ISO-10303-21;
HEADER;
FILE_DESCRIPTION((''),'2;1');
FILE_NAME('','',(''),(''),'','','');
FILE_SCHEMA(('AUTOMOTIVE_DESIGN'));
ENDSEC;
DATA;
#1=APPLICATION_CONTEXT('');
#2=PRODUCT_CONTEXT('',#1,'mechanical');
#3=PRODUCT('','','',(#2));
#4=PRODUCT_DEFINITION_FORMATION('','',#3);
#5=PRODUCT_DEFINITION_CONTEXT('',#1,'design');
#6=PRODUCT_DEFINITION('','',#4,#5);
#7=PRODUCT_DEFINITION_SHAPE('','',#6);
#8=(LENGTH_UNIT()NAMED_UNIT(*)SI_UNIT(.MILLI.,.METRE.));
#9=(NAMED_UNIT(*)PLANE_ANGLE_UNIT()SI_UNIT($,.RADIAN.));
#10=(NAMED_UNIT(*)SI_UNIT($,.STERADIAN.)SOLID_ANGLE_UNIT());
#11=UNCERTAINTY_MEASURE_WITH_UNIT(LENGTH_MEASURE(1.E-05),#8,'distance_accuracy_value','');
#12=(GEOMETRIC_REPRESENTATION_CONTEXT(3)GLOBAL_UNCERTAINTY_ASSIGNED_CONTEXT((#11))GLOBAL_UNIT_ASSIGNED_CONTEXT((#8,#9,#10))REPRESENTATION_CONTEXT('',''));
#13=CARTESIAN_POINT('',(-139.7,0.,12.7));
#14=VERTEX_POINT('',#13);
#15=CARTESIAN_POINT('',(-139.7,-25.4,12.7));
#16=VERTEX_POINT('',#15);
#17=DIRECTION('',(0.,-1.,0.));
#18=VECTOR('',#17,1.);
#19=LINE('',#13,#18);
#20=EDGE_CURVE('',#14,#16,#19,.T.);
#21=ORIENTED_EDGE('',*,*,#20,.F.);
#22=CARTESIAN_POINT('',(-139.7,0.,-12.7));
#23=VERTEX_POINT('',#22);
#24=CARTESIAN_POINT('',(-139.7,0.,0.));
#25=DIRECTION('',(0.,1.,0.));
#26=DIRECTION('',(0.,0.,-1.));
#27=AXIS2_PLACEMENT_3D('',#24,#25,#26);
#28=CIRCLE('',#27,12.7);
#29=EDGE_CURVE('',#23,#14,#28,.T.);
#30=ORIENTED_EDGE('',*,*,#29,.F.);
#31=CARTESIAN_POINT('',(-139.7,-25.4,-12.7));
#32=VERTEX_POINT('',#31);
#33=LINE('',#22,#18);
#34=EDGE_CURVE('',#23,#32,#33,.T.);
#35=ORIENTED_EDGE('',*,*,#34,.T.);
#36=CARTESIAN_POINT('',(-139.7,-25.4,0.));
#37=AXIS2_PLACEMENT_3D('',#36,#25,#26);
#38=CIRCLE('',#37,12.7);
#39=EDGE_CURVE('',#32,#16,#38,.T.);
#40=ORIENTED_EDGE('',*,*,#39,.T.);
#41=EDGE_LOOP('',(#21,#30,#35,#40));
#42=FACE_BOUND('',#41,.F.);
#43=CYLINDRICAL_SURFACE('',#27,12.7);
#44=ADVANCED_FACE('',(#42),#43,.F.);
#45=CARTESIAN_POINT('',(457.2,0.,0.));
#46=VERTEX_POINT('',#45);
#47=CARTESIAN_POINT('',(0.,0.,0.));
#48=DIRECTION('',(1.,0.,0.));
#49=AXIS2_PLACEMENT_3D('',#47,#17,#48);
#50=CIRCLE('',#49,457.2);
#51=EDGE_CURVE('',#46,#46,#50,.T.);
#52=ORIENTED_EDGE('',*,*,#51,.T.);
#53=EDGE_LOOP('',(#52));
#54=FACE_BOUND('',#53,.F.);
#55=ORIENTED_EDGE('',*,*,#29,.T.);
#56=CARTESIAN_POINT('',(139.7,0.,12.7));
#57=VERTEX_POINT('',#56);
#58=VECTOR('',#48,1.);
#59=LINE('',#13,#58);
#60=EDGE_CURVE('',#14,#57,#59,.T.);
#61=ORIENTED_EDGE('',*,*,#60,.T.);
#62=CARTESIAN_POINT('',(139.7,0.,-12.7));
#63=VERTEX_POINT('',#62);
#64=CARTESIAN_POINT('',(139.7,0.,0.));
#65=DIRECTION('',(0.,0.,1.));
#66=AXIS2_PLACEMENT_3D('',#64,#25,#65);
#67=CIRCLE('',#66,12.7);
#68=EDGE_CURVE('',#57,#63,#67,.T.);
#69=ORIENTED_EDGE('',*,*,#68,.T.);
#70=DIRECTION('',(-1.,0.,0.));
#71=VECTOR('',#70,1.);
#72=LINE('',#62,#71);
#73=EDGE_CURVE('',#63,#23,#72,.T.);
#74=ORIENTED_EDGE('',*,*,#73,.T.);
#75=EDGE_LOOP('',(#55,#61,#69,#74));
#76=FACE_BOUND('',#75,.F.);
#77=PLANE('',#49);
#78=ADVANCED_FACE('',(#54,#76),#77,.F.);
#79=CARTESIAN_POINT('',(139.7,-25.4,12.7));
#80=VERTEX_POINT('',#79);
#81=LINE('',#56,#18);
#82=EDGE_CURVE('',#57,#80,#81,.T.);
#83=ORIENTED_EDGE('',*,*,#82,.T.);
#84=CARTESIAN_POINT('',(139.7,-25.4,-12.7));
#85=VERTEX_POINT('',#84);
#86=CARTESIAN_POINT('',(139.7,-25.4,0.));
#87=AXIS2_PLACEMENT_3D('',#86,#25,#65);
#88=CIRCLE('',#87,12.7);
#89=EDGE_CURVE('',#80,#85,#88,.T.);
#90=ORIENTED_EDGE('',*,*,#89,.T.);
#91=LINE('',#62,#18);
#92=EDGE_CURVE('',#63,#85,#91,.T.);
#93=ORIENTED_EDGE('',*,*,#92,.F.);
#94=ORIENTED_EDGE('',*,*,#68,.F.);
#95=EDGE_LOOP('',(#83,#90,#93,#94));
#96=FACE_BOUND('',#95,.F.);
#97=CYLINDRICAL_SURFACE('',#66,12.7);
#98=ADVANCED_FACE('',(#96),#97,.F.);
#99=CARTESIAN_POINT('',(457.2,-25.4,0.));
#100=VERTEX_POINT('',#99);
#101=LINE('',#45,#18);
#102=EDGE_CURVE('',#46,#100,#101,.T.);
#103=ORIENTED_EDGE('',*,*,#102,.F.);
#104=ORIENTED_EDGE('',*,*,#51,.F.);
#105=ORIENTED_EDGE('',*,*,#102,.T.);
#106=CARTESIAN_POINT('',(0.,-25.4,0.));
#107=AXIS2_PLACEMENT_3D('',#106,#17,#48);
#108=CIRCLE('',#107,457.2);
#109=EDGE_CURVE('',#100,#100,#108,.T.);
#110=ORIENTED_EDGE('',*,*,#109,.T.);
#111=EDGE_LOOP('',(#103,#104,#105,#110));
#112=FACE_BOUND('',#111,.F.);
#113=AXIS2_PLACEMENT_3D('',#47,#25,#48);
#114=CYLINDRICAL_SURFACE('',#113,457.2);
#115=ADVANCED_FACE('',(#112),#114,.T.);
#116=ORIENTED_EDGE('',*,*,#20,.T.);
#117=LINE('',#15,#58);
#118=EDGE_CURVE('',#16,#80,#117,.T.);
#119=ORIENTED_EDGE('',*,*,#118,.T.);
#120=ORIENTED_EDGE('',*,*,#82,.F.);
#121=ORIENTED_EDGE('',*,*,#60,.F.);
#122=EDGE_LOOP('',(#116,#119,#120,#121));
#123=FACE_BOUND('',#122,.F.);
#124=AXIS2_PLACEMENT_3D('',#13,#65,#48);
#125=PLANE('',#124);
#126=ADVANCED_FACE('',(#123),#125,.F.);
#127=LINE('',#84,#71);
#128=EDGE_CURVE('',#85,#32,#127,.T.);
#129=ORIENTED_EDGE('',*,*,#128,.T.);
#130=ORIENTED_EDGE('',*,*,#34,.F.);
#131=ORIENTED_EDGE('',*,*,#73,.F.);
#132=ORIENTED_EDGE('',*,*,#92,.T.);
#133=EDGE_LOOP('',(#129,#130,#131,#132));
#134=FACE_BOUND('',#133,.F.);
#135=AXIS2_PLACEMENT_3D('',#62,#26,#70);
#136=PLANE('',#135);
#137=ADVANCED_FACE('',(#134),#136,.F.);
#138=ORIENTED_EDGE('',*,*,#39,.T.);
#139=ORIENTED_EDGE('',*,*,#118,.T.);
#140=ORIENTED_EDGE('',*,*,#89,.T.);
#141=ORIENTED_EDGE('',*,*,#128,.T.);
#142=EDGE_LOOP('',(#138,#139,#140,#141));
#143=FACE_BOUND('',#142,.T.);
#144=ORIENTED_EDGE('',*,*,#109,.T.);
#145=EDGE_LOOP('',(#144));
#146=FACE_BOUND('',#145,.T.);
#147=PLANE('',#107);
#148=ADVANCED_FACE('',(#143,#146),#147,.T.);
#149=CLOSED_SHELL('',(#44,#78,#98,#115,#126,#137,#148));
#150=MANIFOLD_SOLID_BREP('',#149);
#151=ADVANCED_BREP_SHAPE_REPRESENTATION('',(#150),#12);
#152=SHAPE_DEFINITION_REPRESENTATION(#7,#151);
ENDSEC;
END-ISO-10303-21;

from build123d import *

# Parameters (mm, degrees)
F0_R     = 457.2
F1_DEPTH = 25.4


with BuildPart() as f1:
    # F0 (on Front) → F1 (new body)
    with BuildSketch(Plane.XZ):
        Circle(F0_R)
        with BuildLine():
            ThreePointArc((-139.7, -12.7), (-152.4, 0), (-139.7, 12.7))
            Line((-139.7, 12.7), (139.7, 12.7))
            ThreePointArc((139.7, 12.7), (152.4, 0), (139.7, -12.7))
            Line((139.7, -12.7), (-139.7, -12.7))
        make_face(mode=Mode.SUBTRACT)
    extrude(amount=F1_DEPTH)


solid = f1.part
